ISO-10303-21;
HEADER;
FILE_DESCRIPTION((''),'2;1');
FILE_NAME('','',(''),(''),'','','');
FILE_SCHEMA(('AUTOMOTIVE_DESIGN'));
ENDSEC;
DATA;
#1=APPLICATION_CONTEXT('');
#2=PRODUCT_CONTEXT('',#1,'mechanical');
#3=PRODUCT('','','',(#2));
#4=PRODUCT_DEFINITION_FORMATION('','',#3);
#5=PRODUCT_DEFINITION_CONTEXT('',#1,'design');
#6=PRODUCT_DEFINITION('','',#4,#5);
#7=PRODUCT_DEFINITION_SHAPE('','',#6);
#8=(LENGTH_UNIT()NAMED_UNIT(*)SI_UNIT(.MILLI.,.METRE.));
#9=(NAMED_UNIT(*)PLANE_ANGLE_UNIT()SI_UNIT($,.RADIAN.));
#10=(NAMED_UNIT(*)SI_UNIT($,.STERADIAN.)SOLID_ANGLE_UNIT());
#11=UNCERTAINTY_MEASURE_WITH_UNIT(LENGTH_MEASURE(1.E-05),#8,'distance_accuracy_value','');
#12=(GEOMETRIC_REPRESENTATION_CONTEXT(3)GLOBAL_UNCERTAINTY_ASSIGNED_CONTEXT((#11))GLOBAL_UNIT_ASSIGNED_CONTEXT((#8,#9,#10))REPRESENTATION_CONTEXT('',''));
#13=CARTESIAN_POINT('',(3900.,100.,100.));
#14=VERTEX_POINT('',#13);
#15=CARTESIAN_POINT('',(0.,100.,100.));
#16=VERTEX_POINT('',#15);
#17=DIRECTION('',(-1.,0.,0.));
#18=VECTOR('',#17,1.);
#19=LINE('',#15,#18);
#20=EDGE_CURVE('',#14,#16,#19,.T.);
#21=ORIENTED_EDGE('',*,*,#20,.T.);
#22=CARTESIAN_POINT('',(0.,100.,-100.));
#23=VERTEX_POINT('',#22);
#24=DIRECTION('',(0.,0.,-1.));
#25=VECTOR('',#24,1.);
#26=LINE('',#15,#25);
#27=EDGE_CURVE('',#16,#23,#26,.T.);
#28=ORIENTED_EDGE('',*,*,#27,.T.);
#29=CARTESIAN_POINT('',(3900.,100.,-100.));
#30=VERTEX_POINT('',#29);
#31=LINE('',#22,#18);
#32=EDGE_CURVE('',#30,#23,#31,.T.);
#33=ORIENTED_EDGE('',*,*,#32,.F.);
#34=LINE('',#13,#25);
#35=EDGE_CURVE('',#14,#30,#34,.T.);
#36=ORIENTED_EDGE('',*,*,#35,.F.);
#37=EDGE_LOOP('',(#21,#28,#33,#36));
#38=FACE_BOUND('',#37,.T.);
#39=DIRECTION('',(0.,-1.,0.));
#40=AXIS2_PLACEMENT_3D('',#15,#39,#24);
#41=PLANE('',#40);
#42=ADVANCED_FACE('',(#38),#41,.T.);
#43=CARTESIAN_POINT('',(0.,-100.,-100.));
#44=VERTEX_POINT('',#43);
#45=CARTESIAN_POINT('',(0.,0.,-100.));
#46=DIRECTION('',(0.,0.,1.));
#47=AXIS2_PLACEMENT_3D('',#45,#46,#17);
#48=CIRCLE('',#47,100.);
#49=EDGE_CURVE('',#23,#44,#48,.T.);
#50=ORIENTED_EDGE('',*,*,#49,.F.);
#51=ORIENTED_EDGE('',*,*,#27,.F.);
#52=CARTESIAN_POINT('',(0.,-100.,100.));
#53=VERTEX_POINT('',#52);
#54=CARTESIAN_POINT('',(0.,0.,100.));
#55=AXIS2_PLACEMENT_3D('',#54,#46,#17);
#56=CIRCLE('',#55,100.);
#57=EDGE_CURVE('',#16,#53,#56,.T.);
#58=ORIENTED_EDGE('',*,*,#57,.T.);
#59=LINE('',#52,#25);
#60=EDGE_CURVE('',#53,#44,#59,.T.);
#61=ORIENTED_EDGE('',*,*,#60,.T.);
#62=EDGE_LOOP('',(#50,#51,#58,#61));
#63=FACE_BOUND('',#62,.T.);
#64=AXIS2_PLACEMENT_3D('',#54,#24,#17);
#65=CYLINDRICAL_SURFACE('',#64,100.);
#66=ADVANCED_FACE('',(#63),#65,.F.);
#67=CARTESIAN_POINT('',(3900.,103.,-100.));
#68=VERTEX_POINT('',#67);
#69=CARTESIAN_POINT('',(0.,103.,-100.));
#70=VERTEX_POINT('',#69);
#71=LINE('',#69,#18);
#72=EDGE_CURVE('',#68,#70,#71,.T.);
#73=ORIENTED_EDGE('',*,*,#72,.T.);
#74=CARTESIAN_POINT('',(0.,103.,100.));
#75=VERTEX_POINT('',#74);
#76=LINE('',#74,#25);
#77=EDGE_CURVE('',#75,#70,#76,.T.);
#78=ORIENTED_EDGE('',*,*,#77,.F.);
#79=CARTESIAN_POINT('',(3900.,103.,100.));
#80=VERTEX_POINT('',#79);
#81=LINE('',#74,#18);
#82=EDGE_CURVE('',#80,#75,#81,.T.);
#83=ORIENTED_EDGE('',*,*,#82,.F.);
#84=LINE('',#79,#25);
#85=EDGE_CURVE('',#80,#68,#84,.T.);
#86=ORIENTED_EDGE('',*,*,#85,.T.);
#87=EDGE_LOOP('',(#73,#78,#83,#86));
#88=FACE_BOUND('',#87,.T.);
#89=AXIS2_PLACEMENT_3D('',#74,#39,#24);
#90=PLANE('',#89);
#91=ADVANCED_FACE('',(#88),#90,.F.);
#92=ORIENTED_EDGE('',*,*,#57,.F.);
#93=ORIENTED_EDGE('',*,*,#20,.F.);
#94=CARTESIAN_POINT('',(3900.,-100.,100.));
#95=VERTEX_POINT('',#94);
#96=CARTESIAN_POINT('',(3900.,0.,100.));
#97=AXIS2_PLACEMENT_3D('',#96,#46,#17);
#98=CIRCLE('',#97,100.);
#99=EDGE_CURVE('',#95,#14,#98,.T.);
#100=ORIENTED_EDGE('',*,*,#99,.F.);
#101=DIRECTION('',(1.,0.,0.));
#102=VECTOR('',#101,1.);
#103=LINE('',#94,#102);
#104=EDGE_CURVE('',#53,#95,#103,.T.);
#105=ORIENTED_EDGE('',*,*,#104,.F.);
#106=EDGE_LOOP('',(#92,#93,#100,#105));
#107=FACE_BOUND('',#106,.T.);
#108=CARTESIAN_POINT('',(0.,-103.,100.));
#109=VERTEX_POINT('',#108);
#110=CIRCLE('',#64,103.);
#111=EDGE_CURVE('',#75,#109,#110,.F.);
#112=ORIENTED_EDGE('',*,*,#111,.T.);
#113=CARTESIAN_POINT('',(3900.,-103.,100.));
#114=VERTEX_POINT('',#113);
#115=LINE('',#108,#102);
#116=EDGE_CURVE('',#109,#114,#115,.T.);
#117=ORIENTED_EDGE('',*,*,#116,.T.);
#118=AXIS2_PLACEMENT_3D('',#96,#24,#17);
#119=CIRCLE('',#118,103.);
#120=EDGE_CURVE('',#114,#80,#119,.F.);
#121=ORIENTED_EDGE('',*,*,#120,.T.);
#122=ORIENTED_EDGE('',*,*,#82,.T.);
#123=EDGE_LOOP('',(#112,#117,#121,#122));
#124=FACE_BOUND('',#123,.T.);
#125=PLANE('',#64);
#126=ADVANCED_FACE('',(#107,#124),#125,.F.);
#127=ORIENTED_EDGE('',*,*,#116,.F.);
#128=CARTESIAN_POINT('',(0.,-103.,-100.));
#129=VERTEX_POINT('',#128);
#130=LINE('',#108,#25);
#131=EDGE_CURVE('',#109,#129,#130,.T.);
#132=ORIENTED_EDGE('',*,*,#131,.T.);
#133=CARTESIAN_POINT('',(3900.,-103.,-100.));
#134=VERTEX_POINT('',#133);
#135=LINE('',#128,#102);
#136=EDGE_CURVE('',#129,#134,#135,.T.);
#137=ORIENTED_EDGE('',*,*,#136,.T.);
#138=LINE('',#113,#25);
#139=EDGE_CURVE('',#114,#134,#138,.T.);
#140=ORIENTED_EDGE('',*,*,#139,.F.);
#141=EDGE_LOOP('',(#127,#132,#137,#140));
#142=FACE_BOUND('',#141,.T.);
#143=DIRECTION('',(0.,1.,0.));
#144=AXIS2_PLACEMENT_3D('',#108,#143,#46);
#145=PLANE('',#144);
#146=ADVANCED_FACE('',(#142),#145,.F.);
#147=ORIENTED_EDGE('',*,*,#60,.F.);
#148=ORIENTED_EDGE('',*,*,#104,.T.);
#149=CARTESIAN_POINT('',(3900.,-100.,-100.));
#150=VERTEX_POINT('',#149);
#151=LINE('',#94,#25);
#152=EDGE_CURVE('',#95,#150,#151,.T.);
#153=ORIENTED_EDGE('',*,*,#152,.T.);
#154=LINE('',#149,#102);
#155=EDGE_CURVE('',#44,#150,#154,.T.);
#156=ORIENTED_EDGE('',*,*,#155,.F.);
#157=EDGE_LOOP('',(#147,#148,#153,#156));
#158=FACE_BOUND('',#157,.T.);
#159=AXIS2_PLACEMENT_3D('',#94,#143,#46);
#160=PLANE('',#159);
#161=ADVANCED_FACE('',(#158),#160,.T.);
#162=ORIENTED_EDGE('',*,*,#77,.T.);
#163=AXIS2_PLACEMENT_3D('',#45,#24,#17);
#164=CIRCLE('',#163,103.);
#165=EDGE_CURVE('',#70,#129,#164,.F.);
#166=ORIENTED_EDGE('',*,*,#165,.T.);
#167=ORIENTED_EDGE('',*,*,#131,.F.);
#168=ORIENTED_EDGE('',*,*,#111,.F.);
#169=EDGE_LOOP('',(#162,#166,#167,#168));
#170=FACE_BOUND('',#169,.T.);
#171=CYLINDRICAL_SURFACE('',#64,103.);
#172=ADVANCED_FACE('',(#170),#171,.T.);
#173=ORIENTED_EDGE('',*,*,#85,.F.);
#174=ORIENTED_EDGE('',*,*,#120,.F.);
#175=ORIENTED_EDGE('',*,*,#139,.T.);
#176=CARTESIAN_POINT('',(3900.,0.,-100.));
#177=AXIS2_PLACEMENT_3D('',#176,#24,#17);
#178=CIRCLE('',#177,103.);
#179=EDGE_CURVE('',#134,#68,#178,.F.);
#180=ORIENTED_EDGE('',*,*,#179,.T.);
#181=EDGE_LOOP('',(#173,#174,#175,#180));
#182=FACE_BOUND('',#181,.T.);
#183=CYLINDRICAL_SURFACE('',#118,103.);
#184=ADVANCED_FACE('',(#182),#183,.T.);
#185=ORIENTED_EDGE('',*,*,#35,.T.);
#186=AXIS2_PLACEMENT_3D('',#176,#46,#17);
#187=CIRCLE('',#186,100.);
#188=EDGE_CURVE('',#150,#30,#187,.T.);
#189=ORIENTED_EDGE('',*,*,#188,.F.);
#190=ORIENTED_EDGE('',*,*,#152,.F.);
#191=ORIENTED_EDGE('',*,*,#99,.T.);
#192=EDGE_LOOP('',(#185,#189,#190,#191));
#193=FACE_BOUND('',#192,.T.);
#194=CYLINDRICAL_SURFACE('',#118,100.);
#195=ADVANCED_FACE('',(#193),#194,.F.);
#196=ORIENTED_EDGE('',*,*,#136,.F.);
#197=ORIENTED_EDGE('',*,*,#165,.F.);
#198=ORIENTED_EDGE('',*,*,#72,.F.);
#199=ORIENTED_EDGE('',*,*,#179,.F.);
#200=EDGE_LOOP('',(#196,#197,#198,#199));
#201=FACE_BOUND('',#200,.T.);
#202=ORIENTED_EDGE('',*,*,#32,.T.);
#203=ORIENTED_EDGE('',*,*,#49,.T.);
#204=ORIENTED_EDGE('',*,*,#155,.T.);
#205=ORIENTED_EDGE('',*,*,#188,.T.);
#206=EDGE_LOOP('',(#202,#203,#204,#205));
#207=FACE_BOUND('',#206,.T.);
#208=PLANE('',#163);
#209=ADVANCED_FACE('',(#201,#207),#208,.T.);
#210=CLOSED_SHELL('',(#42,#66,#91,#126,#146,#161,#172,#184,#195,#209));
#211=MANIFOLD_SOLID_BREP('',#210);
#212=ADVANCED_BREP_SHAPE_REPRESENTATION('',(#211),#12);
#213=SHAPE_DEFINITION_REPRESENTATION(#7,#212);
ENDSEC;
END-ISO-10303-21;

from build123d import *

# Parameters (mm, degrees)
LINEAR_AUSTRAGEN_D_NN1_DEPTH = 100


with BuildPart() as part:
    # Skizze2 → Linear-Austragen-Dünn1 (new, symmetric)
    with BuildSketch(Plane.XY):
        with BuildLine():
            Line((3900, -103), (0, -103))
            ThreePointArc((0, -103), (-103, 0), (0, 103))
            Line((0, 103), (3900, 103))
            ThreePointArc((3900, 103), (4003, 0), (3900, -103))
        make_face()
        with BuildLine():
            Line((3900, -100), (0, -100))
            ThreePointArc((0, -100), (-100, 0), (0, 100))
            Line((0, 100), (3900, 100))
            ThreePointArc((3900, 100), (4000, 0), (3900, -100))
        make_face(mode=Mode.SUBTRACT)
    extrude(amount=LINEAR_AUSTRAGEN_D_NN1_DEPTH, both=True)


solid = part.part
